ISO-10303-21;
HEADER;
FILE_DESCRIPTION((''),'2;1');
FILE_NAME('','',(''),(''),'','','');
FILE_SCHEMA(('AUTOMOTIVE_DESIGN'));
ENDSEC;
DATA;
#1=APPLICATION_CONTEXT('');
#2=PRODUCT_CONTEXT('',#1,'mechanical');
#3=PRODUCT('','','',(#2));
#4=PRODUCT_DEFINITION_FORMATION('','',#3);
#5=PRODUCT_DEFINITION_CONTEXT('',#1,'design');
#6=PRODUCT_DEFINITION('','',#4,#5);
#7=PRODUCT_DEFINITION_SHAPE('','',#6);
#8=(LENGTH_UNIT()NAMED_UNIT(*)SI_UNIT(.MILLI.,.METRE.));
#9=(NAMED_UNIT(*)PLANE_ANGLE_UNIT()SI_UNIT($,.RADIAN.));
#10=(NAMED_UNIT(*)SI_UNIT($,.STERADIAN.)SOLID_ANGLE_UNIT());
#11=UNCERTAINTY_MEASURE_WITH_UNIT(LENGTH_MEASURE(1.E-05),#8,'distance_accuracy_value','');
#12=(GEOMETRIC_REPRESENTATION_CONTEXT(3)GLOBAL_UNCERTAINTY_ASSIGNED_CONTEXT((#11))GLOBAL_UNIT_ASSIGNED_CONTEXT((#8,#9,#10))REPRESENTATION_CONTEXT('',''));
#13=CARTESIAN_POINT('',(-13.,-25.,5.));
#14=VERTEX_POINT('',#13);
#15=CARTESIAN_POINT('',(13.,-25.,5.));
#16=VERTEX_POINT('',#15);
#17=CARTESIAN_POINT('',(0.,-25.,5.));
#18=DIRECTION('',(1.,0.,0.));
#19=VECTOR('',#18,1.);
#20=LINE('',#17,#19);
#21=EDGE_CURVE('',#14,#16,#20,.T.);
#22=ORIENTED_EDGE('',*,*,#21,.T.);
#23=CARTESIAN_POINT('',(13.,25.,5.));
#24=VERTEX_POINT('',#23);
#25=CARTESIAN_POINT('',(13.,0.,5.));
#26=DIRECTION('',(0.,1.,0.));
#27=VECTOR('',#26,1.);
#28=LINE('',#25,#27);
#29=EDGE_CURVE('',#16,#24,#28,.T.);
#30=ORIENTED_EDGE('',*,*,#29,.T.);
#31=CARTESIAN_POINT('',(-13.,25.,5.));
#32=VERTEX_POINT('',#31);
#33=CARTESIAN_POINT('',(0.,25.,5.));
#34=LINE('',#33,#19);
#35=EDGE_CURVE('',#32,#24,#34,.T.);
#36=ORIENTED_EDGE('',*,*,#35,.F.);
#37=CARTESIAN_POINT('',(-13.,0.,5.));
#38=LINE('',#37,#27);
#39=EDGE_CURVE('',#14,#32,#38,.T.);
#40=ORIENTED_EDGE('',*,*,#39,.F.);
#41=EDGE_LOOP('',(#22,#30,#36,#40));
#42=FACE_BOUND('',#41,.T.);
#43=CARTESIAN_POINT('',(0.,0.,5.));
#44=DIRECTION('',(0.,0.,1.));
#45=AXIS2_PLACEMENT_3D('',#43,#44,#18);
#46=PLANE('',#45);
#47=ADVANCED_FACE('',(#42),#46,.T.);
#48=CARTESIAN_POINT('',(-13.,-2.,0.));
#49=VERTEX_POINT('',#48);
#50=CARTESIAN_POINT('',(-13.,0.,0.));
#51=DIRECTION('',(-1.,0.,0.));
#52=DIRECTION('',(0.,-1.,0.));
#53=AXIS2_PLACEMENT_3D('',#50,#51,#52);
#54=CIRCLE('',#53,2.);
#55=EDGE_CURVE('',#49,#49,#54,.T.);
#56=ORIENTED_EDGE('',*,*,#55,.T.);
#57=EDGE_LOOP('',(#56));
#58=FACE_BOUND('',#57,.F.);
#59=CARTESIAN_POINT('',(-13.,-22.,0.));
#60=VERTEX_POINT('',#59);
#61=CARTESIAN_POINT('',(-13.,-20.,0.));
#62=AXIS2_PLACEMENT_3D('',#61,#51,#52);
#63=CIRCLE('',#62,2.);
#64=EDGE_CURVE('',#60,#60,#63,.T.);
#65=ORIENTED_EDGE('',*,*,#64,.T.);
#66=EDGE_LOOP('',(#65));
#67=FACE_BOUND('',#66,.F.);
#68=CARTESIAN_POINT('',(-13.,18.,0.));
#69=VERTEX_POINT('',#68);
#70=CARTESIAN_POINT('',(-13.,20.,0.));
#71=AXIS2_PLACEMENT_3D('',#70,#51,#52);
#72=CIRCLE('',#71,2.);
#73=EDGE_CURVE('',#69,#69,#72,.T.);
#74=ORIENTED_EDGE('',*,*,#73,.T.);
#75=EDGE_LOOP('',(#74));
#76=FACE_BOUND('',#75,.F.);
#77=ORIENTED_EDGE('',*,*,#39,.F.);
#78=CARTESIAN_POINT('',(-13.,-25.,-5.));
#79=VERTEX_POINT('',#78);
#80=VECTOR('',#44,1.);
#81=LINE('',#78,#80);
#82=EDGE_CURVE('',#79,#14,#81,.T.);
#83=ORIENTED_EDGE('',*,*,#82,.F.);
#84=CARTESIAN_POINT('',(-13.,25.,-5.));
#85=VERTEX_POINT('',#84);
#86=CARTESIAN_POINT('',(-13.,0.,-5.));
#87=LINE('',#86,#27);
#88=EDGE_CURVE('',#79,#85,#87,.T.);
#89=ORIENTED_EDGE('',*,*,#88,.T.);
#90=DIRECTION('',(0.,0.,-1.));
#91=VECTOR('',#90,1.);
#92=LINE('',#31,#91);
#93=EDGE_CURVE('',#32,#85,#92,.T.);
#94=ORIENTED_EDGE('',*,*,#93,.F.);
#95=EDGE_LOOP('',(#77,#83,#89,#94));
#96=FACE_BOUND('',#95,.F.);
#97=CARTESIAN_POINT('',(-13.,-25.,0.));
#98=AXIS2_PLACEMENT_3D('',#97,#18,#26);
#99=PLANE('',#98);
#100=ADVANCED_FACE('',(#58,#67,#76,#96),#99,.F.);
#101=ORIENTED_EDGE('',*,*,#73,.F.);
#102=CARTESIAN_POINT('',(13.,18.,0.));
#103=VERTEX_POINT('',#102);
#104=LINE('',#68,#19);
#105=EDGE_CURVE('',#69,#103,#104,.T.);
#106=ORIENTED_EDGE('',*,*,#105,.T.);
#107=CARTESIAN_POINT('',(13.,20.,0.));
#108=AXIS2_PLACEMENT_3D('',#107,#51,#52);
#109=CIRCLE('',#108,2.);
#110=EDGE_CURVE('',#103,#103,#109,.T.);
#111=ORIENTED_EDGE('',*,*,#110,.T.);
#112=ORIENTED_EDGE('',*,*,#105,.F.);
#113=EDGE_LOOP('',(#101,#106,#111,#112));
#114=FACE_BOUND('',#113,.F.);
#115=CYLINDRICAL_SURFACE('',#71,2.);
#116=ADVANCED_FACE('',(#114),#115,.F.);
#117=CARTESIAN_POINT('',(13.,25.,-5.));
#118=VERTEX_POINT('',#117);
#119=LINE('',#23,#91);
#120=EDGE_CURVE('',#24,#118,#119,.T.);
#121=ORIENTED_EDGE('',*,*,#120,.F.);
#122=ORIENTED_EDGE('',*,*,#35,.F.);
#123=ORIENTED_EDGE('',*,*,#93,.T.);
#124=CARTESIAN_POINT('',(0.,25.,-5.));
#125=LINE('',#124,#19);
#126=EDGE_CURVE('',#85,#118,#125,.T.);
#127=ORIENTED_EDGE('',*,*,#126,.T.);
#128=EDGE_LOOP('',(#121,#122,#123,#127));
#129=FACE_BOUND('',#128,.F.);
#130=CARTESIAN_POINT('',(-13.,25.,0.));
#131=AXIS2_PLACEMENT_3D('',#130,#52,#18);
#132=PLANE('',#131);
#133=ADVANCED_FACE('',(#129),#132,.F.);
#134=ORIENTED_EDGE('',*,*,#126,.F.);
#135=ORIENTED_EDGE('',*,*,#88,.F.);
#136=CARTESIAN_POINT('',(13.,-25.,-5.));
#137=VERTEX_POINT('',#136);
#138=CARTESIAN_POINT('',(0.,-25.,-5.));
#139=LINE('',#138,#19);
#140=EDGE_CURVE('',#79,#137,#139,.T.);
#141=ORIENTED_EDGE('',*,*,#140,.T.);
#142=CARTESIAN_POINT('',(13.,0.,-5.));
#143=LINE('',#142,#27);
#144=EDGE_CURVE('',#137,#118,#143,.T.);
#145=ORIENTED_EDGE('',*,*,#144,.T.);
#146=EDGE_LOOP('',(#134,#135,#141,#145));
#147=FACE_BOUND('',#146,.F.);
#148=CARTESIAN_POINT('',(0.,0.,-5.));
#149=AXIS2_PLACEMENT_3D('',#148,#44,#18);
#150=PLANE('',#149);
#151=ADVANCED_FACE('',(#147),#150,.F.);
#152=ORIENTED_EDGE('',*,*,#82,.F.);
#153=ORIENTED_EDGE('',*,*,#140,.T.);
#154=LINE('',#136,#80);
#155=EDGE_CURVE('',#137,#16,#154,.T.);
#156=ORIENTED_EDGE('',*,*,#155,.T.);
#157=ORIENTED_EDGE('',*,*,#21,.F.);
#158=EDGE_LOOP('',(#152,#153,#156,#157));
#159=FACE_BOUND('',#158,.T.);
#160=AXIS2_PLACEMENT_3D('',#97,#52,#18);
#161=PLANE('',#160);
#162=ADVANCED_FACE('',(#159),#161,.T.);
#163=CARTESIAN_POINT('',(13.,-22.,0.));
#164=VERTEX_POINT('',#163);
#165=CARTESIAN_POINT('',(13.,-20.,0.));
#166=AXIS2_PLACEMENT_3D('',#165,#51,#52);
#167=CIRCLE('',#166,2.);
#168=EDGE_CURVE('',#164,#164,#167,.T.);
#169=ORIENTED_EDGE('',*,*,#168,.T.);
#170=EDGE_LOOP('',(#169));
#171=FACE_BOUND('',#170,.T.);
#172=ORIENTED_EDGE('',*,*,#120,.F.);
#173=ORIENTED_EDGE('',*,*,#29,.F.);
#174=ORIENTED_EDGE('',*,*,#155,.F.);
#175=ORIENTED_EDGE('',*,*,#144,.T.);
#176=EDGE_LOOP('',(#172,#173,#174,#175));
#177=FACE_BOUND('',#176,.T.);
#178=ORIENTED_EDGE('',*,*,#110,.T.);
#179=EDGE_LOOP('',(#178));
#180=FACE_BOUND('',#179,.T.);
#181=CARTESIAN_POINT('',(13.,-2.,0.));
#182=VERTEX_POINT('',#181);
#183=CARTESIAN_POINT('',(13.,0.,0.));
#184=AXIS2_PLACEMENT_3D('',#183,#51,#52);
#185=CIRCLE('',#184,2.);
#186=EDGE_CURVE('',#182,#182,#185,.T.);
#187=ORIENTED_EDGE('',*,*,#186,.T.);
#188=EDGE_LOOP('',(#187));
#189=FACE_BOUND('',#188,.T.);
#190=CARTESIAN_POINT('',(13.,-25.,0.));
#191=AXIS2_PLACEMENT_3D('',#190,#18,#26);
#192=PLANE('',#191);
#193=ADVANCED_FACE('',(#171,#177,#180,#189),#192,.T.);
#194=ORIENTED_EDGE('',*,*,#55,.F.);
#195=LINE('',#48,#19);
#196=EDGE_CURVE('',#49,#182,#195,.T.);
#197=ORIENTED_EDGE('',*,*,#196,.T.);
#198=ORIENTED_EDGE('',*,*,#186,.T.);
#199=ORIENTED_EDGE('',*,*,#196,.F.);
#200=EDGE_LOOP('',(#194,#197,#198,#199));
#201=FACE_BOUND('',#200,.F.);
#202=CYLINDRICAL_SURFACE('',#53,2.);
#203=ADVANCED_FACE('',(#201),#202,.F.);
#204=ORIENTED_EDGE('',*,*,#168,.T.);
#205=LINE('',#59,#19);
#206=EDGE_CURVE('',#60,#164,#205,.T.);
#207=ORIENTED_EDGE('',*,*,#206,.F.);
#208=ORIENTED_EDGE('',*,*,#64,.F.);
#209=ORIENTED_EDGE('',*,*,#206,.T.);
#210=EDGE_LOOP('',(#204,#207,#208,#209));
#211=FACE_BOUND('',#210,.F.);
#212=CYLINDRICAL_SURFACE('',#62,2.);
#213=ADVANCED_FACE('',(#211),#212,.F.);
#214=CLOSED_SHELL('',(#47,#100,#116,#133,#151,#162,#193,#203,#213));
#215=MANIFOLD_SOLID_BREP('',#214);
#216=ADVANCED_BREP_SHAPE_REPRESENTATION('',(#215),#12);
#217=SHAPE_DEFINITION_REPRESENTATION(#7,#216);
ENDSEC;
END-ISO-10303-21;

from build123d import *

# Parameters (mm, degrees)
F0_W          = 26
F0_H          = 50
F1_DEPTH      = 5
F1_DEPTH_BACK = 5
F2_R          = 2
F3_DEPTH      = 26.001
F4_DEPTH      = 26.001


with BuildPart() as f1:
    # F0 (on Top) → F1 (new body, two sides)
    with BuildSketch(Plane.XY) as f1_sk:
        Rectangle(F0_W, F0_H)
    extrude(amount=F1_DEPTH)
    extrude(f1_sk.sketch, amount=-F1_DEPTH_BACK)

    # F2 (on face) → F3 (cut, through all)
    with BuildSketch(Plane(origin=(-13, 0, 0), x_dir=(0, -1, 0), z_dir=(-1, 0, 0))):
        Circle(F2_R)
        with Locations((20, 0)):
            Circle(F2_R)
        with Locations((-20, 0)):
            Circle(F2_R)
    extrude(amount=-F3_DEPTH, mode=Mode.SUBTRACT)

    # F2 (on face) → F4 (cut, through all)
    with BuildSketch(Plane(origin=(-13, 0, 0), x_dir=(0, -1, 0), z_dir=(-1, 0, 0))):
        Circle(F2_R)
        with Locations((20, 0)):
            Circle(F2_R)
        with Locations((-20, 0)):
            Circle(F2_R)
    extrude(amount=-F4_DEPTH, mode=Mode.SUBTRACT)


solid = f1.part
